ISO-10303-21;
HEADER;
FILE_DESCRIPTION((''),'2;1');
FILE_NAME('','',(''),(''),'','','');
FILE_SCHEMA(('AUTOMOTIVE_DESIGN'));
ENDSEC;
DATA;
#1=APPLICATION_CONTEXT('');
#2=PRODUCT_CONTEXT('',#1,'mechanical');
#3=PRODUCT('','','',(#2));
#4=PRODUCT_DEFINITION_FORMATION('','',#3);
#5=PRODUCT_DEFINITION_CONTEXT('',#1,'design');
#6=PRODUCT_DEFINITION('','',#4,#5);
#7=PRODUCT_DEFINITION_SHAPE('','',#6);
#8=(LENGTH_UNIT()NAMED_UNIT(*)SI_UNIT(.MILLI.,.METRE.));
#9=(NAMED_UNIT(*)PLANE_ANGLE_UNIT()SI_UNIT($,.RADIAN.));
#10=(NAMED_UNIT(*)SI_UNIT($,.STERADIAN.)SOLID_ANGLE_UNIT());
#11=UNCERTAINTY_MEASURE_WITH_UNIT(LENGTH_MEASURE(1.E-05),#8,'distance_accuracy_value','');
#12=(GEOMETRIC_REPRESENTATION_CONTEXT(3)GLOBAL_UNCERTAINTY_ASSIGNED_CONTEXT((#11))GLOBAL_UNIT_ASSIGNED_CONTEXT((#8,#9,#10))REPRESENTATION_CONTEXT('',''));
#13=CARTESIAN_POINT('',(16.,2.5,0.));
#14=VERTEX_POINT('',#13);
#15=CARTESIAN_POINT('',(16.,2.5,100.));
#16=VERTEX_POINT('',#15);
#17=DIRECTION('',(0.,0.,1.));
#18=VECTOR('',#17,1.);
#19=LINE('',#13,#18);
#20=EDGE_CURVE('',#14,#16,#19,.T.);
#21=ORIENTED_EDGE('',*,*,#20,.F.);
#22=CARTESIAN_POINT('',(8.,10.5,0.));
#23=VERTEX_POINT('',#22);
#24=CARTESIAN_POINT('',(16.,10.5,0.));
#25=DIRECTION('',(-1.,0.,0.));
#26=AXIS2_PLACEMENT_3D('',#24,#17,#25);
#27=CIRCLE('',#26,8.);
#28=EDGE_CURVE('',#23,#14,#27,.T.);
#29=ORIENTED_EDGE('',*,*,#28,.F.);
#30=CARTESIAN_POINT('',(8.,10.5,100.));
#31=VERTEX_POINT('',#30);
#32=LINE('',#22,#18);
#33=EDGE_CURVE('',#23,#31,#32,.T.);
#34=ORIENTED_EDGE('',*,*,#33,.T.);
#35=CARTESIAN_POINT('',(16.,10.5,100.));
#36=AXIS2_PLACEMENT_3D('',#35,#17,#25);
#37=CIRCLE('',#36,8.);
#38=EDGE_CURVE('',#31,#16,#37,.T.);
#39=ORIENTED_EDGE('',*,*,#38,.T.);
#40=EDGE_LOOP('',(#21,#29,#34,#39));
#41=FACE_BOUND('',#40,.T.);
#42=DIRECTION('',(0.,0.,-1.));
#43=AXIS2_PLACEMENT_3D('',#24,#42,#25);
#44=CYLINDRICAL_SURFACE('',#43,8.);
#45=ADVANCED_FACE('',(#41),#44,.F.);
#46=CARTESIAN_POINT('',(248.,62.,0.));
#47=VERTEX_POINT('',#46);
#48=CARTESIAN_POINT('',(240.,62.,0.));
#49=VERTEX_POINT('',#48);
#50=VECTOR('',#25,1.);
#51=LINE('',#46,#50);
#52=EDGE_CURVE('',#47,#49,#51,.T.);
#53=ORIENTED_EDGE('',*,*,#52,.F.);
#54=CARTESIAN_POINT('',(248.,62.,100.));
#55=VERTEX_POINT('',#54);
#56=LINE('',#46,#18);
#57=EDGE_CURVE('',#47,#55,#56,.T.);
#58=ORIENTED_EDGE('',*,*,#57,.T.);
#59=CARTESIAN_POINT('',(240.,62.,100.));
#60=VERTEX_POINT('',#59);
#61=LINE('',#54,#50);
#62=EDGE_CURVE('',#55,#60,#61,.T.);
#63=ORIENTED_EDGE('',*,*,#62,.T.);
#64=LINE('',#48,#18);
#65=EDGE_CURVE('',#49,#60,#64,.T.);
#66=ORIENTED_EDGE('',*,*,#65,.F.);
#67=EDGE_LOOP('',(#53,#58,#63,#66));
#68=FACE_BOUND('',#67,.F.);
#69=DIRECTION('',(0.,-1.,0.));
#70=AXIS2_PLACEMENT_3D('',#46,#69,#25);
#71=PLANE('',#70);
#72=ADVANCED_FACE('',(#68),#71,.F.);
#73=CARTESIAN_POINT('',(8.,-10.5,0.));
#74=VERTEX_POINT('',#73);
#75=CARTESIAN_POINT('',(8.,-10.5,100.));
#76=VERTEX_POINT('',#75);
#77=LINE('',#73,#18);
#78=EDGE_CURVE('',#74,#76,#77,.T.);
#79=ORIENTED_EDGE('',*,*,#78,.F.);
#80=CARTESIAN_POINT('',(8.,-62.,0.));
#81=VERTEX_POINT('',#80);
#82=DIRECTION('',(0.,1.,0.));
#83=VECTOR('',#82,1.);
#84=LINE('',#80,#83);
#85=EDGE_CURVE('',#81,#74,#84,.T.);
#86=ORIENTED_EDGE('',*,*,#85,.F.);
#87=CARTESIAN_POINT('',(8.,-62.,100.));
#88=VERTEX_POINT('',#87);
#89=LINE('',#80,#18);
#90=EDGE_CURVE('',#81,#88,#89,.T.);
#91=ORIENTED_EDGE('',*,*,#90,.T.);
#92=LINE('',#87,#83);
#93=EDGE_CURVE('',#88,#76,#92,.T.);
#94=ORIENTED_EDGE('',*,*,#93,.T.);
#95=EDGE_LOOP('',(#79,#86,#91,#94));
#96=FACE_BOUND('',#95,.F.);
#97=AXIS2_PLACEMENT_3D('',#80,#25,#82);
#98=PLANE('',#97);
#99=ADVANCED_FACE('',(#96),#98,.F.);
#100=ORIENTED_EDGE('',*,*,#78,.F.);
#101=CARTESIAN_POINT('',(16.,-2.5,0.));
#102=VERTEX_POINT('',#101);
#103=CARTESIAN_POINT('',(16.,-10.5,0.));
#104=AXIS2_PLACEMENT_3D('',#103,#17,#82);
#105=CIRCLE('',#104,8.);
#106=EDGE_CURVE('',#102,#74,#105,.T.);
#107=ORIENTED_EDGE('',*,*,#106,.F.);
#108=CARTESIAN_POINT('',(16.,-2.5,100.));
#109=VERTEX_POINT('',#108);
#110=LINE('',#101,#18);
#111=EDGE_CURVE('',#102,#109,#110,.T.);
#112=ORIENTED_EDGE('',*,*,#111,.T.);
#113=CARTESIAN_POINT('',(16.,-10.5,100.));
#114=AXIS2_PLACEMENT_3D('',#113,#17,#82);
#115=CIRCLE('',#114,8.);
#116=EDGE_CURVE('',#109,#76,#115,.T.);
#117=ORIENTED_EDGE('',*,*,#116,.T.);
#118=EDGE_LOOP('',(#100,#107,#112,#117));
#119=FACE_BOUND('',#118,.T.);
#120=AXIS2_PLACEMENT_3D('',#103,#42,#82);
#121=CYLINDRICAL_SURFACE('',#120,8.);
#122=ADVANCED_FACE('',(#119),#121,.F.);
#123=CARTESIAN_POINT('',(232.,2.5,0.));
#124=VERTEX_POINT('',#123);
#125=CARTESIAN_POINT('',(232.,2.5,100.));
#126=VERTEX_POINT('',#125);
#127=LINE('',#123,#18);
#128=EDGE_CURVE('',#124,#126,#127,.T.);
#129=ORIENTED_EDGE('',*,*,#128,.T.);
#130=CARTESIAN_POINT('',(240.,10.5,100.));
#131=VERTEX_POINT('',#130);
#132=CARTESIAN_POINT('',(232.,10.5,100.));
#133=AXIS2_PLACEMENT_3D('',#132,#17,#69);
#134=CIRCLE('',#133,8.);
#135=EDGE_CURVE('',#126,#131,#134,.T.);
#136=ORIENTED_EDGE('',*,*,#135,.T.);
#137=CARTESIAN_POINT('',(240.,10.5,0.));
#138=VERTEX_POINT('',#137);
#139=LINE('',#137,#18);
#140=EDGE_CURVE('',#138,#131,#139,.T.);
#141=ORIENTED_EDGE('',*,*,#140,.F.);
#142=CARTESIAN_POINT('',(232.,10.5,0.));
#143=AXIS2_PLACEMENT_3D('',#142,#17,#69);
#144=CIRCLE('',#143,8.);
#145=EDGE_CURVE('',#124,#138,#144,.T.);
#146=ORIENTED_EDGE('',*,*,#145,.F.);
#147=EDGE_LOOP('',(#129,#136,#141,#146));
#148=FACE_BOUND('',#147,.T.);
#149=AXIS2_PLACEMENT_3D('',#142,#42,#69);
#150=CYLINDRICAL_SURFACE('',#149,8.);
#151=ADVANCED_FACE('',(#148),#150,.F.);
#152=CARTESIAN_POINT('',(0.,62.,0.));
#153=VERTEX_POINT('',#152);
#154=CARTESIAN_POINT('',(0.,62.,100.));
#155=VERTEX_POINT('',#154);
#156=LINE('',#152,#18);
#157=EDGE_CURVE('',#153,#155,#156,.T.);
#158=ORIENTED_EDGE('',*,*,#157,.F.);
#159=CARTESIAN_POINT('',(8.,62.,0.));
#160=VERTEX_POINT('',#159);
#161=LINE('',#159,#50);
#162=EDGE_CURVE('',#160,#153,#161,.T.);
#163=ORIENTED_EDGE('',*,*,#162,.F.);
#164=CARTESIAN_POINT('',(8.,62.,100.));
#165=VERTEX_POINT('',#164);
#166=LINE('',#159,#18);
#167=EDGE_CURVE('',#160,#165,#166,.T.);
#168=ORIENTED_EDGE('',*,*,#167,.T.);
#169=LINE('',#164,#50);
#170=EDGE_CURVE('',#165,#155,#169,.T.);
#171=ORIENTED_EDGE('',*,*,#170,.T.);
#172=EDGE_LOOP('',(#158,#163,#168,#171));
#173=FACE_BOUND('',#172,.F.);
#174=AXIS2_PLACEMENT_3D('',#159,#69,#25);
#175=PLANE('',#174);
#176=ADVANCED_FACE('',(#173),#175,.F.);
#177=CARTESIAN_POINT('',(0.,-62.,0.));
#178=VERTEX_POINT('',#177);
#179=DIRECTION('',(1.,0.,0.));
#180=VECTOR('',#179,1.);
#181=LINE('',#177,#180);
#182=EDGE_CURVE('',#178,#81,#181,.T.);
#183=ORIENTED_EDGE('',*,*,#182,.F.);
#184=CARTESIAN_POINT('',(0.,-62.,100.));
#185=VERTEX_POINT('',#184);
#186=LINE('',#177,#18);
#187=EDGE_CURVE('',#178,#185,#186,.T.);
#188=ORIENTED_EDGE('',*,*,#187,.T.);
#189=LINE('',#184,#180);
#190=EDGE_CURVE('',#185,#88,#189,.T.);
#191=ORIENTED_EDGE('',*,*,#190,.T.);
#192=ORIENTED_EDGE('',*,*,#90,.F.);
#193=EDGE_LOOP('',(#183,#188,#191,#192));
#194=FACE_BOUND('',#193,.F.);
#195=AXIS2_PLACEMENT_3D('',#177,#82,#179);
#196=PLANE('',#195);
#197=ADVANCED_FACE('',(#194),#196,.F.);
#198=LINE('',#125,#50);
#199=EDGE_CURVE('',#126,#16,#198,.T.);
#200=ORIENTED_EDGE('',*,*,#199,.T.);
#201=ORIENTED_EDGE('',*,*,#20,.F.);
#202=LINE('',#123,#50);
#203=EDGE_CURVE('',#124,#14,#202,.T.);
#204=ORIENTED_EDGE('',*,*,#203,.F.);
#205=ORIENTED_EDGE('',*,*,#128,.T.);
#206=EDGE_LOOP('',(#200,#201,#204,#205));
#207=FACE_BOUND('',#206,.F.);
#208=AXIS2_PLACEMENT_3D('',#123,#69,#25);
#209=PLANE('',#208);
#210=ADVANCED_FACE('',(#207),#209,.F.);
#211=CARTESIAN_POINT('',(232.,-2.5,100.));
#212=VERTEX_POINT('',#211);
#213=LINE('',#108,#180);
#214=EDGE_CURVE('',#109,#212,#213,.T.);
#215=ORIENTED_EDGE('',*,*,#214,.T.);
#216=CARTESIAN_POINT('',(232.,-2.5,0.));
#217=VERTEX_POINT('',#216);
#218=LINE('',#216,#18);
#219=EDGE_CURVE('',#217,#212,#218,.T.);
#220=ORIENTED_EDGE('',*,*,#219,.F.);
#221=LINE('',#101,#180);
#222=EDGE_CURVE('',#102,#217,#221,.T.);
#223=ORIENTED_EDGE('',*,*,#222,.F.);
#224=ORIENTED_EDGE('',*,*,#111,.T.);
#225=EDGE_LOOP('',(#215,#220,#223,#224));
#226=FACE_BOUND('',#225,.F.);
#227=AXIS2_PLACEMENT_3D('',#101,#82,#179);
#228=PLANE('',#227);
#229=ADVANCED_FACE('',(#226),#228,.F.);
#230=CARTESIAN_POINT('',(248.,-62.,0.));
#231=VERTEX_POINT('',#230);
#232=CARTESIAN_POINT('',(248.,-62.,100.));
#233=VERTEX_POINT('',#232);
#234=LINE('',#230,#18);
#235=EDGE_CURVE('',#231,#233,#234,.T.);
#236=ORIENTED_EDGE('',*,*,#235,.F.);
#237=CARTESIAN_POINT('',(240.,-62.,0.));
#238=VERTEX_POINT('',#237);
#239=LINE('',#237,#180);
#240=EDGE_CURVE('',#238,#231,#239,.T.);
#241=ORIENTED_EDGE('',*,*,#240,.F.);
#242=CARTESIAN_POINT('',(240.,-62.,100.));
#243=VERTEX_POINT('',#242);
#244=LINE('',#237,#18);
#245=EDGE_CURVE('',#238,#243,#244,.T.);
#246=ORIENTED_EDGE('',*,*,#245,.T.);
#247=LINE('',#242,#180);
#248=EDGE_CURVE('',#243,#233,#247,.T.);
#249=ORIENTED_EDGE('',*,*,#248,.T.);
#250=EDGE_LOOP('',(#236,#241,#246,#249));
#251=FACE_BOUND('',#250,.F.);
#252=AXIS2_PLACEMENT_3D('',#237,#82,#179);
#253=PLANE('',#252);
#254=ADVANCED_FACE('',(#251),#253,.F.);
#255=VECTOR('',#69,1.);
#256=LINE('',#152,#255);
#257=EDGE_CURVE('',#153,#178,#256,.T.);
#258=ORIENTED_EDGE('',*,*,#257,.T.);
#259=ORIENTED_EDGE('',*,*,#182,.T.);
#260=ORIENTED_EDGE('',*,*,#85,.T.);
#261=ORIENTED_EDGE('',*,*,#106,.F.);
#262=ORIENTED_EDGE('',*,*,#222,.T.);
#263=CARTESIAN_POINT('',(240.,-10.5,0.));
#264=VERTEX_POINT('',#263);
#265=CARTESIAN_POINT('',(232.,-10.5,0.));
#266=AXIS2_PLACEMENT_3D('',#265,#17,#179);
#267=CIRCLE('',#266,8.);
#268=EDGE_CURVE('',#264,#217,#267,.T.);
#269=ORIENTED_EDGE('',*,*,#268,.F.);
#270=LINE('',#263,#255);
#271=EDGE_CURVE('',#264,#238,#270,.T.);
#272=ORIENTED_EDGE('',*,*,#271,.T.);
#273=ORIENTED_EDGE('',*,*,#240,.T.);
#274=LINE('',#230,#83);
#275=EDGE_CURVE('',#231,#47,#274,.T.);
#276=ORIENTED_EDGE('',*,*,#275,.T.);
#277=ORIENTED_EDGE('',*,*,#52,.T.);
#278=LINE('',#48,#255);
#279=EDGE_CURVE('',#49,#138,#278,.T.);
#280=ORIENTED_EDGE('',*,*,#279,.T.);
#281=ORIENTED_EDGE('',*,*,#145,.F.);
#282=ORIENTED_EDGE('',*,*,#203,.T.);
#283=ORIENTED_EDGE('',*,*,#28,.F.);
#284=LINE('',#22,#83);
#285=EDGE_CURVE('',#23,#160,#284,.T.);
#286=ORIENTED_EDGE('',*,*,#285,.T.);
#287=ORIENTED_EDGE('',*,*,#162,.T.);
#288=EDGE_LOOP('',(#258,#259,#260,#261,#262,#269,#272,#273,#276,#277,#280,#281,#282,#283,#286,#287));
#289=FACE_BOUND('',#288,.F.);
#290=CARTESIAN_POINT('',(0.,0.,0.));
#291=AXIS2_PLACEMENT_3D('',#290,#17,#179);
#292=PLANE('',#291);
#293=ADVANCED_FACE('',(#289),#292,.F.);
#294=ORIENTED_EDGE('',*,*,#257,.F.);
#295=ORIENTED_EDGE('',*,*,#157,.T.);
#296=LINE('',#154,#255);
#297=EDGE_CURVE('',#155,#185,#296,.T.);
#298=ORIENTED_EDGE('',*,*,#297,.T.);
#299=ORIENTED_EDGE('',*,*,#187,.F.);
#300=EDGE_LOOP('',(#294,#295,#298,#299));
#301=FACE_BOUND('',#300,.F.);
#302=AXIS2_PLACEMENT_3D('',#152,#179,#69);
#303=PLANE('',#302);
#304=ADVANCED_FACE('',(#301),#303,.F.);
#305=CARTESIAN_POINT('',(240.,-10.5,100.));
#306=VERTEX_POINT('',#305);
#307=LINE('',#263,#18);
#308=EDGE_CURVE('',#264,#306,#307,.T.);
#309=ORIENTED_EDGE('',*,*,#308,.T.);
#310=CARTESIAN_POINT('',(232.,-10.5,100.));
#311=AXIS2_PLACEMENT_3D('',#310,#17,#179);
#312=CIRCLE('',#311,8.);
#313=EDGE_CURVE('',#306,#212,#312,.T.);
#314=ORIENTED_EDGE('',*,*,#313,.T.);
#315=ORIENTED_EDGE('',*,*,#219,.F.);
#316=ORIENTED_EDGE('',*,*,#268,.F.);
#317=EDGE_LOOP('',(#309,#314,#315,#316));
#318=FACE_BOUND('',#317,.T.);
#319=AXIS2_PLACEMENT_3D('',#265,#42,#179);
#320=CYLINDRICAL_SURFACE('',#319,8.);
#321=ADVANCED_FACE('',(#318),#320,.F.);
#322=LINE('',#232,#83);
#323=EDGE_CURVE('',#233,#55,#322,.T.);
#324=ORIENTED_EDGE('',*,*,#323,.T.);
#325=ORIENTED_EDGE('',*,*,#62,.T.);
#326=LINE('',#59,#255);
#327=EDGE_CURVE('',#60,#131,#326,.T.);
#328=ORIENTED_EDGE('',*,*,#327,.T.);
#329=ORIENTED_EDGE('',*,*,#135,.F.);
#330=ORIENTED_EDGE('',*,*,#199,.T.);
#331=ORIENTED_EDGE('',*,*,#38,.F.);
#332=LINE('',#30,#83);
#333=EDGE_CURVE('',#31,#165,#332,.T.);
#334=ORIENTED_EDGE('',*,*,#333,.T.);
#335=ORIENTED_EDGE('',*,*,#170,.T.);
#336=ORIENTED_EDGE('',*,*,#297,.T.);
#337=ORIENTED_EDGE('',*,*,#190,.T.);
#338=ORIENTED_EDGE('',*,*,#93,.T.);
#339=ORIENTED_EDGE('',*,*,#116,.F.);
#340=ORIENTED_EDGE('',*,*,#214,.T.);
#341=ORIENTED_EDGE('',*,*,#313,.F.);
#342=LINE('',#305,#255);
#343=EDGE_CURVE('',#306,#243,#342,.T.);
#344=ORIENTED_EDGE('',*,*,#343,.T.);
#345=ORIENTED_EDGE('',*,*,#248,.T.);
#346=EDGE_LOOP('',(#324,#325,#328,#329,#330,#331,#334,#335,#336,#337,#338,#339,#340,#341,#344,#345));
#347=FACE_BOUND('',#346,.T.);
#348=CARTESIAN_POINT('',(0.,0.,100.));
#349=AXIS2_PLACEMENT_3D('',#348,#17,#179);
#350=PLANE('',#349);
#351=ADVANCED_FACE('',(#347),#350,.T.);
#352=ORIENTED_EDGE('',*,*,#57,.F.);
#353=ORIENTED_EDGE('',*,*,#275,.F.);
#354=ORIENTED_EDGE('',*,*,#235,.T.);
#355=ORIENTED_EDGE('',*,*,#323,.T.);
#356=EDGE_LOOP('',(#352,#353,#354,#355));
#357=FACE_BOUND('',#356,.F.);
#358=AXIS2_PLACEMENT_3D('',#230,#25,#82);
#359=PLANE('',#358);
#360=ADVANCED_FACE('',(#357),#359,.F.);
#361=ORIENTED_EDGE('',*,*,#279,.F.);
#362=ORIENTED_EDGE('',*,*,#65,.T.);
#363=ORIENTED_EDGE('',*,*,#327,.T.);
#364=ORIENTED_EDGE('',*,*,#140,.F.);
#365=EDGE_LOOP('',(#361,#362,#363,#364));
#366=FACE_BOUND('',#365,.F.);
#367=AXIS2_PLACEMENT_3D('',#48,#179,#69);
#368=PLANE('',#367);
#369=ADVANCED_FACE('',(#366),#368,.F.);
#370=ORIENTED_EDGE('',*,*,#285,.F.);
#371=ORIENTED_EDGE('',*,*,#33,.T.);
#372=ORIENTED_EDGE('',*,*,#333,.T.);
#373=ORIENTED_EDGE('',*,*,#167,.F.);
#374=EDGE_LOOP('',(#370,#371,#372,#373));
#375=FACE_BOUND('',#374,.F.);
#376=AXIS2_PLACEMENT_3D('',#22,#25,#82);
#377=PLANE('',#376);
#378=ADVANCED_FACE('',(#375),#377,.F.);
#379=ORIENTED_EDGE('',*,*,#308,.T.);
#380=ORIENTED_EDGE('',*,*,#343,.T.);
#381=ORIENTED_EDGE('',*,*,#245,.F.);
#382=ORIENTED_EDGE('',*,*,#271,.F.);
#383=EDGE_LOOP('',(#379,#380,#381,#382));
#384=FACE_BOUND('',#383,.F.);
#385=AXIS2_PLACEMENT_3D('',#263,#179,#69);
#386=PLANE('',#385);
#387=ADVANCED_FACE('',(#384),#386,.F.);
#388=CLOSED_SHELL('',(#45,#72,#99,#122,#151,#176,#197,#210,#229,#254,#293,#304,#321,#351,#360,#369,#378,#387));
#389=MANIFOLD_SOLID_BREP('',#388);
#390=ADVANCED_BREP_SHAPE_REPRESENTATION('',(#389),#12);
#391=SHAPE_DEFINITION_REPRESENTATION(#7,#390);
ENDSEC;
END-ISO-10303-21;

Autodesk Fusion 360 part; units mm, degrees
sketch "スケッチ1" plane through (0, 0, 0) normal (0, 0, 1) x (1, 0, 0)
  line L0 (232, 2.5) -> (16, 2.5)
  line L1 (16, -2.5) -> (232, -2.5)
  line L2 (0, 62) -> (0, -62)
  line L3 (8, 10.5) -> (8, 62)
  line L4 (8, -62) -> (8, -10.5)
  line L5 (0, -62) -> (8, -62)
  line L6 (8, 62) -> (0, 62)
  line L7 (240, 62) -> (240, 10.5)
  line L8 (248, -62) -> (248, 62)
  line L9 (240, -10.5) -> (240, -62)
  line L10 (240, -62) -> (248, -62)
  line L11 (248, 62) -> (240, 62)
  arc A0 (16, -2.5) -> (8, -10.5) centre (16, -10.5) ccw
  arc A1 (8, 10.5) -> (16, 2.5) centre (16, 10.5) ccw
  arc A2 (232, 2.5) -> (240, 10.5) centre (232, 10.5) ccw
  arc A3 (240, -10.5) -> (232, -2.5) centre (232, -10.5) ccw
extrude "押し出し1" add sketch "スケッチ1" along normal blind 100
